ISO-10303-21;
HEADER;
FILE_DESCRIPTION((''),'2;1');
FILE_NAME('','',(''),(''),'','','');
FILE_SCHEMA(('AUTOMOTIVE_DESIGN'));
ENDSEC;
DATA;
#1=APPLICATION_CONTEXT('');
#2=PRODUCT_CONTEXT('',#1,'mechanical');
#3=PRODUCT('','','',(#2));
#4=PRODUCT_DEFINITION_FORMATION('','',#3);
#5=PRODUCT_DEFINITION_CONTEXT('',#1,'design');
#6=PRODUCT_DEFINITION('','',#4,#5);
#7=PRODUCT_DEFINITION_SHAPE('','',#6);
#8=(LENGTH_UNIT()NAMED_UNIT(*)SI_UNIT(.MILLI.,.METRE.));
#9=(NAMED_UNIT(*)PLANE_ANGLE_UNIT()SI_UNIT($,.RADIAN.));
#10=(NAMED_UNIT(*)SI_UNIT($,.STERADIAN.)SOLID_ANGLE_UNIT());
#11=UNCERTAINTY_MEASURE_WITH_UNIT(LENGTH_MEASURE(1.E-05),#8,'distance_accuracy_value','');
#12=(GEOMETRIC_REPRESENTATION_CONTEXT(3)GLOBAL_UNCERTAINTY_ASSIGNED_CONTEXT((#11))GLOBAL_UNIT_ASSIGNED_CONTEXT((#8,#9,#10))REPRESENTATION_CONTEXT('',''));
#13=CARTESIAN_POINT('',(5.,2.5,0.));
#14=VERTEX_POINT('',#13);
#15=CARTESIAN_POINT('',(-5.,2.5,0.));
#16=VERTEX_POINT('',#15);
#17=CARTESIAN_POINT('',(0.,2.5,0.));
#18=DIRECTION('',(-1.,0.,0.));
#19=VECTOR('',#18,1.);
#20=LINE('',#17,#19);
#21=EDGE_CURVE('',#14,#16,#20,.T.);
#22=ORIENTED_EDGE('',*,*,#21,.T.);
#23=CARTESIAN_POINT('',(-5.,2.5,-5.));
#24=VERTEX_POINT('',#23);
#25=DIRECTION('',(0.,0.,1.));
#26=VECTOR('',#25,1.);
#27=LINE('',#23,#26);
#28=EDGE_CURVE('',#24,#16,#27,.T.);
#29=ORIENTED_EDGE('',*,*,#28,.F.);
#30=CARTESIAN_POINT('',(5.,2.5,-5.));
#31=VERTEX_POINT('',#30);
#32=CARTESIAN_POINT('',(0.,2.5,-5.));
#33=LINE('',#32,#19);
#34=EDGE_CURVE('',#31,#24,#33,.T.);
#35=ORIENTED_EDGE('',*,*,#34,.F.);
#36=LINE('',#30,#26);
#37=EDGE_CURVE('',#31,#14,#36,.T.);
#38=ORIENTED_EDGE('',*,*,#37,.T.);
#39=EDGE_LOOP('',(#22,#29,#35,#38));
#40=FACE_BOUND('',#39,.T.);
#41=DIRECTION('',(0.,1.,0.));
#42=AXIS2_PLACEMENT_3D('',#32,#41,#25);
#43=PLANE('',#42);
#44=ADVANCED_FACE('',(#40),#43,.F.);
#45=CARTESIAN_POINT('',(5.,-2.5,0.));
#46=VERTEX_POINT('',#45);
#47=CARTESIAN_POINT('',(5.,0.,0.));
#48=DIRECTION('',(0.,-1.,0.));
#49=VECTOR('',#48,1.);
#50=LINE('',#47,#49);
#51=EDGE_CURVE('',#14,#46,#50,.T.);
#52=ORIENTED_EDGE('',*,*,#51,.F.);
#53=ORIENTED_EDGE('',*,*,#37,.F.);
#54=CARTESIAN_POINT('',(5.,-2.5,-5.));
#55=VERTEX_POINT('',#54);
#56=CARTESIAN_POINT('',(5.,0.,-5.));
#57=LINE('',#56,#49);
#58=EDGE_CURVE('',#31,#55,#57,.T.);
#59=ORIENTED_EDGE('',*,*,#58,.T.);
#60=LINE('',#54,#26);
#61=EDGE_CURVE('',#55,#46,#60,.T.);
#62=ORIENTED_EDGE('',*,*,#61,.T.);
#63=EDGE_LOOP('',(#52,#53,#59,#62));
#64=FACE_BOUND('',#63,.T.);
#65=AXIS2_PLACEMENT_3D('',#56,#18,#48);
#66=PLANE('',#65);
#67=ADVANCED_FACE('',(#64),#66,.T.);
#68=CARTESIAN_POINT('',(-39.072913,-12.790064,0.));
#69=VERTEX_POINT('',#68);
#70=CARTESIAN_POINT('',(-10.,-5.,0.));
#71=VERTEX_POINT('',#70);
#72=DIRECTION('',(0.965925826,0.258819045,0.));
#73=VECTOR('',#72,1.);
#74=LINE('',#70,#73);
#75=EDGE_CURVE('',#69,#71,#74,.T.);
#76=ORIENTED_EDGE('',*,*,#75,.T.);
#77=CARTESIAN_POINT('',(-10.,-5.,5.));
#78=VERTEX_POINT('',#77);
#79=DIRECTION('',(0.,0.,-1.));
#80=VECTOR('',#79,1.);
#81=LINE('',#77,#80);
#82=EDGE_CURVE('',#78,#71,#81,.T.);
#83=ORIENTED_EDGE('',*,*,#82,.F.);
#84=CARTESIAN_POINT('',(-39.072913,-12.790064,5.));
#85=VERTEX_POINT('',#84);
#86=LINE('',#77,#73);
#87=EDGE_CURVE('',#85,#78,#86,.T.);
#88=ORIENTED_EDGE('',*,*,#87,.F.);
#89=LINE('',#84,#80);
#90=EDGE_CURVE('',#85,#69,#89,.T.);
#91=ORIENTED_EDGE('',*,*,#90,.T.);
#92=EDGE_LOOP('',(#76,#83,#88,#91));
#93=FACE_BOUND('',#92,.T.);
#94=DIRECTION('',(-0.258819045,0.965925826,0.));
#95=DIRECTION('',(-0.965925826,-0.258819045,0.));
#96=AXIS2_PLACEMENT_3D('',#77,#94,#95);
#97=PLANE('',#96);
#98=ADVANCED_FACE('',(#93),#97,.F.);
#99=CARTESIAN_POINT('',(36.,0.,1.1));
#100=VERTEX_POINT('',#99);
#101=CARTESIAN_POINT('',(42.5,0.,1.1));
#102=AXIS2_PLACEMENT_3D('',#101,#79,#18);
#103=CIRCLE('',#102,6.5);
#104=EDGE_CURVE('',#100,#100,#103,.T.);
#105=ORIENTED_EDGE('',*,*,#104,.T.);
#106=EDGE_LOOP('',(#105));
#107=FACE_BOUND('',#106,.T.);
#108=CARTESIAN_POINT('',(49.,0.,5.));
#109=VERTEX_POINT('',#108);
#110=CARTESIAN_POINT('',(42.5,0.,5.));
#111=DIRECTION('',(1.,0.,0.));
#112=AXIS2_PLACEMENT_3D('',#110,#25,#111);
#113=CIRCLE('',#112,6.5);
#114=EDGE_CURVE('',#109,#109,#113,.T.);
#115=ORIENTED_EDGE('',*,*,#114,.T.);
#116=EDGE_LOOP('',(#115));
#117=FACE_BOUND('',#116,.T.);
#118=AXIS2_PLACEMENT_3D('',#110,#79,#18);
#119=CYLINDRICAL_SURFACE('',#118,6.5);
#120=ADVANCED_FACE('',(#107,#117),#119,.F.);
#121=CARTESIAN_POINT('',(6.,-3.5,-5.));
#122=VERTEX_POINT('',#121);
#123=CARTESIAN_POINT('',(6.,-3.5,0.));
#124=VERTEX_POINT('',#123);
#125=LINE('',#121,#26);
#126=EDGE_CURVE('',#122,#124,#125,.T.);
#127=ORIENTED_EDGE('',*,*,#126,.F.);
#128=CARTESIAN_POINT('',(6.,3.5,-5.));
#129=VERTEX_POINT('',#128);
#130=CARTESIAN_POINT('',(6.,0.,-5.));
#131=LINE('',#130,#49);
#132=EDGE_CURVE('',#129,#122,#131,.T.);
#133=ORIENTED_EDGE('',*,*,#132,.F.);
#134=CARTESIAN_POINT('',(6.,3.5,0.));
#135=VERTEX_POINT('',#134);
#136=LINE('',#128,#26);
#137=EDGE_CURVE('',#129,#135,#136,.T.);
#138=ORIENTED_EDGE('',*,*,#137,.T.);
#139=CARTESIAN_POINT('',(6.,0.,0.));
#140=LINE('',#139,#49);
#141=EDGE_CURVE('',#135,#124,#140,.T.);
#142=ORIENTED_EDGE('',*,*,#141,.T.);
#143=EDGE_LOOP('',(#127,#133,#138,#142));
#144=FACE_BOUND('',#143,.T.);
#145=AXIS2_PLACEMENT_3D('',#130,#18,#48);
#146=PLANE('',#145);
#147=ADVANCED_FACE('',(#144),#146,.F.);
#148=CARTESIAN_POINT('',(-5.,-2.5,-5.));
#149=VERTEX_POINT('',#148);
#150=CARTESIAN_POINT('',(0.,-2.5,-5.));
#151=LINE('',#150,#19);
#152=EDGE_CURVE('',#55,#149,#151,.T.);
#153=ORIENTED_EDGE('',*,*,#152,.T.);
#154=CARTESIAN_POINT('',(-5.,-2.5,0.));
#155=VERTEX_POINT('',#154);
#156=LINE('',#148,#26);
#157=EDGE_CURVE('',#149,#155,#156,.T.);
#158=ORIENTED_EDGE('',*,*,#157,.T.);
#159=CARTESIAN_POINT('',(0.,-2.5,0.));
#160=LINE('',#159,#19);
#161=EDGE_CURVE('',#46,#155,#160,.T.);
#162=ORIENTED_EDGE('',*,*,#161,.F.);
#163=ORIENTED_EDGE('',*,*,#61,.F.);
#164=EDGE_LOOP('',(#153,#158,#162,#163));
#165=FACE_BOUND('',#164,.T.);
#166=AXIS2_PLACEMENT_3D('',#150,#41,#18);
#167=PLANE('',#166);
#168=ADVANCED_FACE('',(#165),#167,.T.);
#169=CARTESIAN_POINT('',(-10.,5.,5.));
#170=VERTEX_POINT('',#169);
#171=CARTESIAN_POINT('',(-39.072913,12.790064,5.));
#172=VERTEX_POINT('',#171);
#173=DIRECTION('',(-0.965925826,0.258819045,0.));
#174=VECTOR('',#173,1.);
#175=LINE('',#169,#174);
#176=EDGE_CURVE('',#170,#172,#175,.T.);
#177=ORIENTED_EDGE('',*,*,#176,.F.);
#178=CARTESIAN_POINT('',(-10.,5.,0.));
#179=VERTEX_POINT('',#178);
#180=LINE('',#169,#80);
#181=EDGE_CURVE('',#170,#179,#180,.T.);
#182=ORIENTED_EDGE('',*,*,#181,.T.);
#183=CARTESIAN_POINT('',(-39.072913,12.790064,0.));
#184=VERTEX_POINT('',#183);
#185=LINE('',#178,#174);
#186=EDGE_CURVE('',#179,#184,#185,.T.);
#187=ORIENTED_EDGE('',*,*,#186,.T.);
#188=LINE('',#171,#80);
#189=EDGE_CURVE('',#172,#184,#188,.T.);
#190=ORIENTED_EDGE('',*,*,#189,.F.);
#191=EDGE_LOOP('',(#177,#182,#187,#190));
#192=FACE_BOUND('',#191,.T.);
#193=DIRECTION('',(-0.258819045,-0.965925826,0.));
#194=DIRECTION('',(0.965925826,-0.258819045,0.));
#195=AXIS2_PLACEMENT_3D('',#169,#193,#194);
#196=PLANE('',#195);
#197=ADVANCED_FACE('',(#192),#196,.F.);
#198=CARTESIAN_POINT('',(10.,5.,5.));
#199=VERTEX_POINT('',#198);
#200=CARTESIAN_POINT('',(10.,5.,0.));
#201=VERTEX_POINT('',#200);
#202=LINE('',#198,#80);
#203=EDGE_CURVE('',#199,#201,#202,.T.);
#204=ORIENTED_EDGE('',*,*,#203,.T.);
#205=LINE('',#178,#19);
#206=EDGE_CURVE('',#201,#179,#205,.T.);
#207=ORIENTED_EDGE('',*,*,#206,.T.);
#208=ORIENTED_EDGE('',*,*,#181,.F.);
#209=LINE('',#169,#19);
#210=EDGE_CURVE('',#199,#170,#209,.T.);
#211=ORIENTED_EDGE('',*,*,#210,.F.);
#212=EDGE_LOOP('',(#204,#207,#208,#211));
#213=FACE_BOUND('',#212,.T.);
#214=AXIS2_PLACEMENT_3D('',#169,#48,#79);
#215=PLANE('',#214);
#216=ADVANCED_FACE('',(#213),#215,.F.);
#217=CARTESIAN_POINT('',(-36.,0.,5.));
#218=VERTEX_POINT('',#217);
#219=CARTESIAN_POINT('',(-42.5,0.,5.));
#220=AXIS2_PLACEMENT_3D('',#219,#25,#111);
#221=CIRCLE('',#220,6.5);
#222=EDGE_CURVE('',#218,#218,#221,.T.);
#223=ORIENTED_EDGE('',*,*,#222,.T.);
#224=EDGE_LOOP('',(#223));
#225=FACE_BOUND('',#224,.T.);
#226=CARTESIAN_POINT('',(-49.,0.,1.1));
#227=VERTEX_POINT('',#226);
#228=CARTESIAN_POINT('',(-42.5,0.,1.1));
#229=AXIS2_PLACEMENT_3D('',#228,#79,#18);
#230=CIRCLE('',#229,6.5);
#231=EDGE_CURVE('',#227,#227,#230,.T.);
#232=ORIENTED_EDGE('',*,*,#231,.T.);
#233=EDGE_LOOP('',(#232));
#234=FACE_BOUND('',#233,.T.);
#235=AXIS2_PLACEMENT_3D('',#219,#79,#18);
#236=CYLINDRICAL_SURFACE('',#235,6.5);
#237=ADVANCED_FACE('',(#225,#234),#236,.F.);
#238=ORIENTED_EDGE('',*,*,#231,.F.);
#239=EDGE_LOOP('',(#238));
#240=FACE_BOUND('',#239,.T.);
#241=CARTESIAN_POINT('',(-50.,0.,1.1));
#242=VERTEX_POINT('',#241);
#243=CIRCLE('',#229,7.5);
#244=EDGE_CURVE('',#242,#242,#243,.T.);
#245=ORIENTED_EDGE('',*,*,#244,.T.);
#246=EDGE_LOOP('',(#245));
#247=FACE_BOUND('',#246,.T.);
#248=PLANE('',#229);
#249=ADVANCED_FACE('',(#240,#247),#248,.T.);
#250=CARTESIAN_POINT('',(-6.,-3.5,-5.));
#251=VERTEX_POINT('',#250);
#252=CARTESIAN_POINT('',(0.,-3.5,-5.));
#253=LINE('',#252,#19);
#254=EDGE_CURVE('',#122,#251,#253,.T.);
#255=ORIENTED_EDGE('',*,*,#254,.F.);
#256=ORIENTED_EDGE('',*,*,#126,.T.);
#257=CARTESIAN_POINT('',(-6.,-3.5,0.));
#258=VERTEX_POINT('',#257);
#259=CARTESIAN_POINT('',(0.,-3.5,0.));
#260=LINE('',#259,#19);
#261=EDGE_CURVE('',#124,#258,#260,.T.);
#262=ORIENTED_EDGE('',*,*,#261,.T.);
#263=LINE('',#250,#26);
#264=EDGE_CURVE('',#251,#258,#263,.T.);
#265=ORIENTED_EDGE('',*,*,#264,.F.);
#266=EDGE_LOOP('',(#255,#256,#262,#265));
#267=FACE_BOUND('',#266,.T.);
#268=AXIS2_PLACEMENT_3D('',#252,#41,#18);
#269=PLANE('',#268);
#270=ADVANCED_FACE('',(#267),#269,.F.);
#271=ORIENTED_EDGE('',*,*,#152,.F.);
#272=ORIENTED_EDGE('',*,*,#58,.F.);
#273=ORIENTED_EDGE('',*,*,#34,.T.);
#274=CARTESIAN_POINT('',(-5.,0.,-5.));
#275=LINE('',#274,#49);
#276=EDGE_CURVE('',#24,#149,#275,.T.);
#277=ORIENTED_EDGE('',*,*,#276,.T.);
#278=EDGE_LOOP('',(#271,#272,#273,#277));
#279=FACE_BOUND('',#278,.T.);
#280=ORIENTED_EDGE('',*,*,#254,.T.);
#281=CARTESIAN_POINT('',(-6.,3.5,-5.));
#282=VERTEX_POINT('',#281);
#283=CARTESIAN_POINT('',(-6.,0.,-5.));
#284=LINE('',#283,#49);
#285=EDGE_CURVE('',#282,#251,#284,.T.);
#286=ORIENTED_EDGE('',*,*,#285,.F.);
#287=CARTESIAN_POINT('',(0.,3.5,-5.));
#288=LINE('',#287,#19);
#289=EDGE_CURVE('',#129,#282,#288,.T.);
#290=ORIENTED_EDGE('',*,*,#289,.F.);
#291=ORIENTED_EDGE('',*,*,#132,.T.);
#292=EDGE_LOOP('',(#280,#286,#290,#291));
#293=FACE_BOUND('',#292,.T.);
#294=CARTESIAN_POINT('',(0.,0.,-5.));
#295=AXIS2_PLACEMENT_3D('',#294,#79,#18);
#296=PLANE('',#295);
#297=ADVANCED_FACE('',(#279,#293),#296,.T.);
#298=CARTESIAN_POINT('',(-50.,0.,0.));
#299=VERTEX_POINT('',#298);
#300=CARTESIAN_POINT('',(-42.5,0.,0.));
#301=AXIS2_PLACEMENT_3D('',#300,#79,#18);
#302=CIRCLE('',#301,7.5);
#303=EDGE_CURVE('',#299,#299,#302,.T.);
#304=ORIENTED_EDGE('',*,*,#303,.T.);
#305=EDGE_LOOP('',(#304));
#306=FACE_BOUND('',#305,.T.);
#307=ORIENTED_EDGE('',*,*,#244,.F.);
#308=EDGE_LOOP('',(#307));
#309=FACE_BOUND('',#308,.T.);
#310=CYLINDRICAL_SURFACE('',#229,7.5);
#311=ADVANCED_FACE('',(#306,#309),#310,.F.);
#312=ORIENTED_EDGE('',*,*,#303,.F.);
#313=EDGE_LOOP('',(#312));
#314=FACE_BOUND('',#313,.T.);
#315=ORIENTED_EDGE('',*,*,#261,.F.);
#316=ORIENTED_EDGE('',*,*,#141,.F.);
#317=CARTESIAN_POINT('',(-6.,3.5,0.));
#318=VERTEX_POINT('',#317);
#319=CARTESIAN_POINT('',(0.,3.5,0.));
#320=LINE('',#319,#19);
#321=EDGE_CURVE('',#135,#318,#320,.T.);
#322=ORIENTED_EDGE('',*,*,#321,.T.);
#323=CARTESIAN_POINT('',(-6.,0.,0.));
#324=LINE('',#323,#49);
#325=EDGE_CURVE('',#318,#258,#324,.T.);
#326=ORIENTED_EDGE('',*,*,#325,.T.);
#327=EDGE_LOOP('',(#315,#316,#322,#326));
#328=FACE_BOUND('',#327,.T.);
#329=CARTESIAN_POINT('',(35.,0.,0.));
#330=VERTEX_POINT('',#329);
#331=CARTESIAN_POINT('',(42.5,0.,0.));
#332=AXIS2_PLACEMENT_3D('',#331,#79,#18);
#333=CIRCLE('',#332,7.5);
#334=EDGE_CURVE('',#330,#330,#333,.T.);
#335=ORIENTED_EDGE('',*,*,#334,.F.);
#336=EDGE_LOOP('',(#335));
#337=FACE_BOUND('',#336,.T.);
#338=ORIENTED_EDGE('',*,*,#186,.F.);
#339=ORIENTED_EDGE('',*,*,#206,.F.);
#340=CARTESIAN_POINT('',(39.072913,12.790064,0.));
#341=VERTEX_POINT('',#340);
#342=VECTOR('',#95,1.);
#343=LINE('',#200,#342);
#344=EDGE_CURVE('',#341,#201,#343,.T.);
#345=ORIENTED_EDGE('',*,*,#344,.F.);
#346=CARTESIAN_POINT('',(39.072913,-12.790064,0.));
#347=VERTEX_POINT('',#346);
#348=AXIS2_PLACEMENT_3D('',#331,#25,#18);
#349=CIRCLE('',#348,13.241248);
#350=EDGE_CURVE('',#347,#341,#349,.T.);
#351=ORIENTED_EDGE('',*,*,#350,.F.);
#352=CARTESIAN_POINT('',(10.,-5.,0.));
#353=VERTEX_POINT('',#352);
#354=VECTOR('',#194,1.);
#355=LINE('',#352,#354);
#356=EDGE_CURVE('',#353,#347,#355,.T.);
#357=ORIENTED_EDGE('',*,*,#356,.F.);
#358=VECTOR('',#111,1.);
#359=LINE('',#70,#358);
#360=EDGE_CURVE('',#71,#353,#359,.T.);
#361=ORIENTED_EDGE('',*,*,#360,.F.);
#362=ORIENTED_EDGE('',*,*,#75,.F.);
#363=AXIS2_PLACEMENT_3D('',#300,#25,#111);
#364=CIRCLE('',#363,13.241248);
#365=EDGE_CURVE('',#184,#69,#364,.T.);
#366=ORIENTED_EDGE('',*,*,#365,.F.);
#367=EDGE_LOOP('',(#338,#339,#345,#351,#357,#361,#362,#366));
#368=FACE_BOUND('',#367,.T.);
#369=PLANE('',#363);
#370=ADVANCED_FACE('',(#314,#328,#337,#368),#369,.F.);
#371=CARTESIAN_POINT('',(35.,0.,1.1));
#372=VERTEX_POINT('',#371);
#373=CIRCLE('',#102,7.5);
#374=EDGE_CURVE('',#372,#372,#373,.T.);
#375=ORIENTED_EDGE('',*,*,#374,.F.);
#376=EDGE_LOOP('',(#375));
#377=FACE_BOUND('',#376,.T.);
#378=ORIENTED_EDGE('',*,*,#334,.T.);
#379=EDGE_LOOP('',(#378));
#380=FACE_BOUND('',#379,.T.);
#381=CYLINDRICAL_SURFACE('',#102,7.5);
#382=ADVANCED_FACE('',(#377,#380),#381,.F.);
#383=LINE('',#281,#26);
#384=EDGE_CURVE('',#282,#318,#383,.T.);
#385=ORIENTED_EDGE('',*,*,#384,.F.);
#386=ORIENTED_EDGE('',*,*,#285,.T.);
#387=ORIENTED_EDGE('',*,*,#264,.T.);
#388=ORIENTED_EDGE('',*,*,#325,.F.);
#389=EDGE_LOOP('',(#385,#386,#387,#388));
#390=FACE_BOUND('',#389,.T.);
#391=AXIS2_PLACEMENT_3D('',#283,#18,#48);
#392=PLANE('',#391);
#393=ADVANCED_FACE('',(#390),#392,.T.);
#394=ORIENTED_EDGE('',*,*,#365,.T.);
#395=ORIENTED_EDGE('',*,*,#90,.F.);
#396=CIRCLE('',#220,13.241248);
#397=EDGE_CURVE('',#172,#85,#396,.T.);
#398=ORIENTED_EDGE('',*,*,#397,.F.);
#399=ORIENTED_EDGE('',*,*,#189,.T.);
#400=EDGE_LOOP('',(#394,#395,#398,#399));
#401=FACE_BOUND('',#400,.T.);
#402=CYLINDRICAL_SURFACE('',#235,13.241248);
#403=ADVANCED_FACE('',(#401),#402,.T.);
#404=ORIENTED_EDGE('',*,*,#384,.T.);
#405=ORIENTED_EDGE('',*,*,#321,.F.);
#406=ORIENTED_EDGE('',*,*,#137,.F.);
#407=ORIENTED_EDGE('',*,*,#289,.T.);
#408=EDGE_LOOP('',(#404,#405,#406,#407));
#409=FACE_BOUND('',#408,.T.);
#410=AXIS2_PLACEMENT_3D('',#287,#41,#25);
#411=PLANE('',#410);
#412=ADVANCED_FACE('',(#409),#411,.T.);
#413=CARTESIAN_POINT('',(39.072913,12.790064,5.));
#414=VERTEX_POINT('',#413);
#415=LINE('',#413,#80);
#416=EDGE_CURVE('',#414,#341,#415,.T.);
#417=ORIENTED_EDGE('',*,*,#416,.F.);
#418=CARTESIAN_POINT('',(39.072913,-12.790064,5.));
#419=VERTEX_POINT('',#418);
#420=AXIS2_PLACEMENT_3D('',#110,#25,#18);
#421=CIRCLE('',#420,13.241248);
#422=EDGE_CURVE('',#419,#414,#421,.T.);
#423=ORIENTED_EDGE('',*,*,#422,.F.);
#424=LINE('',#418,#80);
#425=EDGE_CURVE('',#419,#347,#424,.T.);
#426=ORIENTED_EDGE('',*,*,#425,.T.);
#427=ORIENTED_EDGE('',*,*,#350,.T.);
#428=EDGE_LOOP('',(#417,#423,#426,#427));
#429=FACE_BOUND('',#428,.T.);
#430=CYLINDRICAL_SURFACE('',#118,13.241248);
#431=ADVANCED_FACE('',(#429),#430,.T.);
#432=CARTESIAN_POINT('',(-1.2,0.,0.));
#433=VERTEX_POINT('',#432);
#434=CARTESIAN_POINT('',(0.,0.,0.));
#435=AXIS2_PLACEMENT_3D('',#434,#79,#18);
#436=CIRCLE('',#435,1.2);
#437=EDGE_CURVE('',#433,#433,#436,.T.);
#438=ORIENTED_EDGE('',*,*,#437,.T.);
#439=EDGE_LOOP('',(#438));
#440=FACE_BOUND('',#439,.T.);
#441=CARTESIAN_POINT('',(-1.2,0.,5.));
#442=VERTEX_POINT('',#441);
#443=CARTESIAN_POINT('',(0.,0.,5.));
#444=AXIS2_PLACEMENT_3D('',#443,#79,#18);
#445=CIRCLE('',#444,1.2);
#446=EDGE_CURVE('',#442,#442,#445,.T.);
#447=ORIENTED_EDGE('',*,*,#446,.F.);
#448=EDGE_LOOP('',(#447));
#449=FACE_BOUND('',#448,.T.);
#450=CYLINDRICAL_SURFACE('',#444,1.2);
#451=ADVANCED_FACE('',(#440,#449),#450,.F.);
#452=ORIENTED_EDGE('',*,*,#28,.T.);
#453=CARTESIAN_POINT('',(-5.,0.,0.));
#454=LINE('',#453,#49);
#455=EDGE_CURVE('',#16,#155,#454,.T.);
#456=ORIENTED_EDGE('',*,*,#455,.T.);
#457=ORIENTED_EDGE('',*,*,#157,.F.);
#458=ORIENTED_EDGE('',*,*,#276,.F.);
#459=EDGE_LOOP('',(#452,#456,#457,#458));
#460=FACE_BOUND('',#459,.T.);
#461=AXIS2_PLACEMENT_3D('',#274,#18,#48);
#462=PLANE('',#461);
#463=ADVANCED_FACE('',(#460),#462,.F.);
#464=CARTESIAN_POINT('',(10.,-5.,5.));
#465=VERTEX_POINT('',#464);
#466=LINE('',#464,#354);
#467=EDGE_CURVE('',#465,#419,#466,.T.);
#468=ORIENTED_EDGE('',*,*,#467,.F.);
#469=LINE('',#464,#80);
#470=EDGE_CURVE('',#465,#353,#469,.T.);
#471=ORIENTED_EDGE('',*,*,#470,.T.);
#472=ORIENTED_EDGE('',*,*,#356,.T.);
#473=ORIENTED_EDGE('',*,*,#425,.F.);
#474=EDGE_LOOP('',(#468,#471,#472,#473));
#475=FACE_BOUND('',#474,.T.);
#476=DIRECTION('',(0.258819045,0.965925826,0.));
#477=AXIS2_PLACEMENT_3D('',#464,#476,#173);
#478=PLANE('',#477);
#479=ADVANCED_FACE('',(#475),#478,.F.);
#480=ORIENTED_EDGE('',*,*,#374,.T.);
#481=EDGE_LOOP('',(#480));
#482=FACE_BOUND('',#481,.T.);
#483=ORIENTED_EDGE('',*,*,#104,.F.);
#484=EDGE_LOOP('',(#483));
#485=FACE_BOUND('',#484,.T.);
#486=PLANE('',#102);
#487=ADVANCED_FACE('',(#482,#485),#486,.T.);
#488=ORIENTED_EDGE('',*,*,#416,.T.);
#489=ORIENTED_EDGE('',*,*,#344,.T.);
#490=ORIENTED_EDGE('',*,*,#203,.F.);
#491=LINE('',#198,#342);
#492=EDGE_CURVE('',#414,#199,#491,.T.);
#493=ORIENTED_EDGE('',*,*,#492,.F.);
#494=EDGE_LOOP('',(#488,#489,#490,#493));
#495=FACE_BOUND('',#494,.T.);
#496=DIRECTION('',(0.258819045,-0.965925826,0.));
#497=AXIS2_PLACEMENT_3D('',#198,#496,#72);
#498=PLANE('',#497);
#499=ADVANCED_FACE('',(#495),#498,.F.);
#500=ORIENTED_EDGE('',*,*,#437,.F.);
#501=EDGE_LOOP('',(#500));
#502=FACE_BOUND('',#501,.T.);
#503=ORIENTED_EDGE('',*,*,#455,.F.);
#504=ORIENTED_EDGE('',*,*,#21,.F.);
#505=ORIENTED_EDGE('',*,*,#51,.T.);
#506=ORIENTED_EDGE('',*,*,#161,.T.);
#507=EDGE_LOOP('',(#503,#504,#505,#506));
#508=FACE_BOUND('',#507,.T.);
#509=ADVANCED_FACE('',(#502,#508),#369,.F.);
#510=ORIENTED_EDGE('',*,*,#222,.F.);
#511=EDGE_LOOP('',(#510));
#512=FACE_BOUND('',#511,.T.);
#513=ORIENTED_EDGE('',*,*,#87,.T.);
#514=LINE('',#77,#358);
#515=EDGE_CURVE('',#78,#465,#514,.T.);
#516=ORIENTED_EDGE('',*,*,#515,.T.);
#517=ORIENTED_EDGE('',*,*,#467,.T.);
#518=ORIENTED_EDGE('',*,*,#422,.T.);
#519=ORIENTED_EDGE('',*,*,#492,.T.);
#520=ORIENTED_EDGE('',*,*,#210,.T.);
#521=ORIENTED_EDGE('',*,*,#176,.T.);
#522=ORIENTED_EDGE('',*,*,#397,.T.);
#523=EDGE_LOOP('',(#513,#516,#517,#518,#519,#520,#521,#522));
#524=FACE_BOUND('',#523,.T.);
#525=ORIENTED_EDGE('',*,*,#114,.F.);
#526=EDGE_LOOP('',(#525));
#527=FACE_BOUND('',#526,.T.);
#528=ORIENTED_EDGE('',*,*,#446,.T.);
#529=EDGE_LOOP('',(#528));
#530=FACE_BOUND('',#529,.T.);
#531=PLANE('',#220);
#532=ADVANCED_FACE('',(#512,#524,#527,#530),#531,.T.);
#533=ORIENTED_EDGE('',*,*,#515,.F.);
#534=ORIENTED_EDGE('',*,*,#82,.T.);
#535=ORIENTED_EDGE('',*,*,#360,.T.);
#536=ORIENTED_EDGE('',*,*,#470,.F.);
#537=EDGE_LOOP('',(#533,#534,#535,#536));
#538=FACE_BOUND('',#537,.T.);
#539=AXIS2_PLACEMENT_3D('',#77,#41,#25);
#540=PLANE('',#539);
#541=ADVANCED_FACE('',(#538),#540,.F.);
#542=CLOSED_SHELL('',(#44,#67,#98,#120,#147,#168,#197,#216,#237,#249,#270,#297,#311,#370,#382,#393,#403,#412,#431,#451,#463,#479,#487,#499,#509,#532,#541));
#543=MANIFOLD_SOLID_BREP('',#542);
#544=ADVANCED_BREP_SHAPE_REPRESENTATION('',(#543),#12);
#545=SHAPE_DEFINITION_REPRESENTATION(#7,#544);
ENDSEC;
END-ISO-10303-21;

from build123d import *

# Parameters (mm, degrees)
SKETCH_1_R          = 6.5
EXTRUDE_1_DEPTH     = 5
SKETCH_2_W          = 12
SKETCH_2_H          = 7
SKETCH_2_W_2        = 10
SKETCH_2_H_2        = 5
EXTRUDE_1_2_DEPTH   = 5
SKETCH_3_R          = 1.2
CUT_EXTRUDE_1_DEPTH = 5
SKETCH_4_R          = 7.5
CUT_EXTRUDE_2_DEPTH = 1.1


with BuildPart() as part:
    # 草图1 → Extrude 1 (new body)
    with BuildSketch(Plane.XY):
        with BuildLine():
            Line((-10, 5), (10, 5))
            Line((10, 5), (39.072912811, 12.790063509))
            ThreePointArc((39.072912811, 12.790063509), (55.741248097, 0), (39.072912811, -12.790063509))
            Line((39.072912811, -12.790063509), (10, -5))
            Line((10, -5), (-10, -5))
            Line((-10, -5), (-39.072912811, -12.790063509))
            ThreePointArc((-39.072912811, -12.790063509), (-55.741248097, 0), (-39.072912811, 12.790063509))
            Line((-39.072912811, 12.790063509), (-10, 5))
        make_face()
        with Locations((-42.5, 0)):
            Circle(SKETCH_1_R, mode=Mode.SUBTRACT)
        with Locations((42.5, 0)):
            Circle(SKETCH_1_R, mode=Mode.SUBTRACT)
    extrude(amount=EXTRUDE_1_DEPTH)

    # 草图2 → Extrude 1 2 (add)
    with BuildSketch(Plane(origin=(0, 0, 0), x_dir=(-1, 0, 0), z_dir=(0, 0, -1))):
        Rectangle(SKETCH_2_W, SKETCH_2_H)
        Rectangle(SKETCH_2_W_2, SKETCH_2_H_2, mode=Mode.SUBTRACT)
    extrude(amount=EXTRUDE_1_2_DEPTH)

    # 草图3 → 切除-拉伸1 (cut)
    with BuildSketch(Plane(origin=(0, 0, 0), x_dir=(-1, 0, 0), z_dir=(0, 0, -1))):
        Circle(SKETCH_3_R)
    extrude(amount=-CUT_EXTRUDE_1_DEPTH, mode=Mode.SUBTRACT)

    # 草图4 → 切除-拉伸2 (cut)
    with BuildSketch(Plane(origin=(0, 0, 0), x_dir=(-1, 0, 0), z_dir=(0, 0, -1))):
        with Locations((-42.5, 0)):
            Circle(SKETCH_4_R)
        with Locations((42.5, 0)):
            Circle(SKETCH_4_R)
    extrude(amount=-CUT_EXTRUDE_2_DEPTH, mode=Mode.SUBTRACT)


solid = part.part
